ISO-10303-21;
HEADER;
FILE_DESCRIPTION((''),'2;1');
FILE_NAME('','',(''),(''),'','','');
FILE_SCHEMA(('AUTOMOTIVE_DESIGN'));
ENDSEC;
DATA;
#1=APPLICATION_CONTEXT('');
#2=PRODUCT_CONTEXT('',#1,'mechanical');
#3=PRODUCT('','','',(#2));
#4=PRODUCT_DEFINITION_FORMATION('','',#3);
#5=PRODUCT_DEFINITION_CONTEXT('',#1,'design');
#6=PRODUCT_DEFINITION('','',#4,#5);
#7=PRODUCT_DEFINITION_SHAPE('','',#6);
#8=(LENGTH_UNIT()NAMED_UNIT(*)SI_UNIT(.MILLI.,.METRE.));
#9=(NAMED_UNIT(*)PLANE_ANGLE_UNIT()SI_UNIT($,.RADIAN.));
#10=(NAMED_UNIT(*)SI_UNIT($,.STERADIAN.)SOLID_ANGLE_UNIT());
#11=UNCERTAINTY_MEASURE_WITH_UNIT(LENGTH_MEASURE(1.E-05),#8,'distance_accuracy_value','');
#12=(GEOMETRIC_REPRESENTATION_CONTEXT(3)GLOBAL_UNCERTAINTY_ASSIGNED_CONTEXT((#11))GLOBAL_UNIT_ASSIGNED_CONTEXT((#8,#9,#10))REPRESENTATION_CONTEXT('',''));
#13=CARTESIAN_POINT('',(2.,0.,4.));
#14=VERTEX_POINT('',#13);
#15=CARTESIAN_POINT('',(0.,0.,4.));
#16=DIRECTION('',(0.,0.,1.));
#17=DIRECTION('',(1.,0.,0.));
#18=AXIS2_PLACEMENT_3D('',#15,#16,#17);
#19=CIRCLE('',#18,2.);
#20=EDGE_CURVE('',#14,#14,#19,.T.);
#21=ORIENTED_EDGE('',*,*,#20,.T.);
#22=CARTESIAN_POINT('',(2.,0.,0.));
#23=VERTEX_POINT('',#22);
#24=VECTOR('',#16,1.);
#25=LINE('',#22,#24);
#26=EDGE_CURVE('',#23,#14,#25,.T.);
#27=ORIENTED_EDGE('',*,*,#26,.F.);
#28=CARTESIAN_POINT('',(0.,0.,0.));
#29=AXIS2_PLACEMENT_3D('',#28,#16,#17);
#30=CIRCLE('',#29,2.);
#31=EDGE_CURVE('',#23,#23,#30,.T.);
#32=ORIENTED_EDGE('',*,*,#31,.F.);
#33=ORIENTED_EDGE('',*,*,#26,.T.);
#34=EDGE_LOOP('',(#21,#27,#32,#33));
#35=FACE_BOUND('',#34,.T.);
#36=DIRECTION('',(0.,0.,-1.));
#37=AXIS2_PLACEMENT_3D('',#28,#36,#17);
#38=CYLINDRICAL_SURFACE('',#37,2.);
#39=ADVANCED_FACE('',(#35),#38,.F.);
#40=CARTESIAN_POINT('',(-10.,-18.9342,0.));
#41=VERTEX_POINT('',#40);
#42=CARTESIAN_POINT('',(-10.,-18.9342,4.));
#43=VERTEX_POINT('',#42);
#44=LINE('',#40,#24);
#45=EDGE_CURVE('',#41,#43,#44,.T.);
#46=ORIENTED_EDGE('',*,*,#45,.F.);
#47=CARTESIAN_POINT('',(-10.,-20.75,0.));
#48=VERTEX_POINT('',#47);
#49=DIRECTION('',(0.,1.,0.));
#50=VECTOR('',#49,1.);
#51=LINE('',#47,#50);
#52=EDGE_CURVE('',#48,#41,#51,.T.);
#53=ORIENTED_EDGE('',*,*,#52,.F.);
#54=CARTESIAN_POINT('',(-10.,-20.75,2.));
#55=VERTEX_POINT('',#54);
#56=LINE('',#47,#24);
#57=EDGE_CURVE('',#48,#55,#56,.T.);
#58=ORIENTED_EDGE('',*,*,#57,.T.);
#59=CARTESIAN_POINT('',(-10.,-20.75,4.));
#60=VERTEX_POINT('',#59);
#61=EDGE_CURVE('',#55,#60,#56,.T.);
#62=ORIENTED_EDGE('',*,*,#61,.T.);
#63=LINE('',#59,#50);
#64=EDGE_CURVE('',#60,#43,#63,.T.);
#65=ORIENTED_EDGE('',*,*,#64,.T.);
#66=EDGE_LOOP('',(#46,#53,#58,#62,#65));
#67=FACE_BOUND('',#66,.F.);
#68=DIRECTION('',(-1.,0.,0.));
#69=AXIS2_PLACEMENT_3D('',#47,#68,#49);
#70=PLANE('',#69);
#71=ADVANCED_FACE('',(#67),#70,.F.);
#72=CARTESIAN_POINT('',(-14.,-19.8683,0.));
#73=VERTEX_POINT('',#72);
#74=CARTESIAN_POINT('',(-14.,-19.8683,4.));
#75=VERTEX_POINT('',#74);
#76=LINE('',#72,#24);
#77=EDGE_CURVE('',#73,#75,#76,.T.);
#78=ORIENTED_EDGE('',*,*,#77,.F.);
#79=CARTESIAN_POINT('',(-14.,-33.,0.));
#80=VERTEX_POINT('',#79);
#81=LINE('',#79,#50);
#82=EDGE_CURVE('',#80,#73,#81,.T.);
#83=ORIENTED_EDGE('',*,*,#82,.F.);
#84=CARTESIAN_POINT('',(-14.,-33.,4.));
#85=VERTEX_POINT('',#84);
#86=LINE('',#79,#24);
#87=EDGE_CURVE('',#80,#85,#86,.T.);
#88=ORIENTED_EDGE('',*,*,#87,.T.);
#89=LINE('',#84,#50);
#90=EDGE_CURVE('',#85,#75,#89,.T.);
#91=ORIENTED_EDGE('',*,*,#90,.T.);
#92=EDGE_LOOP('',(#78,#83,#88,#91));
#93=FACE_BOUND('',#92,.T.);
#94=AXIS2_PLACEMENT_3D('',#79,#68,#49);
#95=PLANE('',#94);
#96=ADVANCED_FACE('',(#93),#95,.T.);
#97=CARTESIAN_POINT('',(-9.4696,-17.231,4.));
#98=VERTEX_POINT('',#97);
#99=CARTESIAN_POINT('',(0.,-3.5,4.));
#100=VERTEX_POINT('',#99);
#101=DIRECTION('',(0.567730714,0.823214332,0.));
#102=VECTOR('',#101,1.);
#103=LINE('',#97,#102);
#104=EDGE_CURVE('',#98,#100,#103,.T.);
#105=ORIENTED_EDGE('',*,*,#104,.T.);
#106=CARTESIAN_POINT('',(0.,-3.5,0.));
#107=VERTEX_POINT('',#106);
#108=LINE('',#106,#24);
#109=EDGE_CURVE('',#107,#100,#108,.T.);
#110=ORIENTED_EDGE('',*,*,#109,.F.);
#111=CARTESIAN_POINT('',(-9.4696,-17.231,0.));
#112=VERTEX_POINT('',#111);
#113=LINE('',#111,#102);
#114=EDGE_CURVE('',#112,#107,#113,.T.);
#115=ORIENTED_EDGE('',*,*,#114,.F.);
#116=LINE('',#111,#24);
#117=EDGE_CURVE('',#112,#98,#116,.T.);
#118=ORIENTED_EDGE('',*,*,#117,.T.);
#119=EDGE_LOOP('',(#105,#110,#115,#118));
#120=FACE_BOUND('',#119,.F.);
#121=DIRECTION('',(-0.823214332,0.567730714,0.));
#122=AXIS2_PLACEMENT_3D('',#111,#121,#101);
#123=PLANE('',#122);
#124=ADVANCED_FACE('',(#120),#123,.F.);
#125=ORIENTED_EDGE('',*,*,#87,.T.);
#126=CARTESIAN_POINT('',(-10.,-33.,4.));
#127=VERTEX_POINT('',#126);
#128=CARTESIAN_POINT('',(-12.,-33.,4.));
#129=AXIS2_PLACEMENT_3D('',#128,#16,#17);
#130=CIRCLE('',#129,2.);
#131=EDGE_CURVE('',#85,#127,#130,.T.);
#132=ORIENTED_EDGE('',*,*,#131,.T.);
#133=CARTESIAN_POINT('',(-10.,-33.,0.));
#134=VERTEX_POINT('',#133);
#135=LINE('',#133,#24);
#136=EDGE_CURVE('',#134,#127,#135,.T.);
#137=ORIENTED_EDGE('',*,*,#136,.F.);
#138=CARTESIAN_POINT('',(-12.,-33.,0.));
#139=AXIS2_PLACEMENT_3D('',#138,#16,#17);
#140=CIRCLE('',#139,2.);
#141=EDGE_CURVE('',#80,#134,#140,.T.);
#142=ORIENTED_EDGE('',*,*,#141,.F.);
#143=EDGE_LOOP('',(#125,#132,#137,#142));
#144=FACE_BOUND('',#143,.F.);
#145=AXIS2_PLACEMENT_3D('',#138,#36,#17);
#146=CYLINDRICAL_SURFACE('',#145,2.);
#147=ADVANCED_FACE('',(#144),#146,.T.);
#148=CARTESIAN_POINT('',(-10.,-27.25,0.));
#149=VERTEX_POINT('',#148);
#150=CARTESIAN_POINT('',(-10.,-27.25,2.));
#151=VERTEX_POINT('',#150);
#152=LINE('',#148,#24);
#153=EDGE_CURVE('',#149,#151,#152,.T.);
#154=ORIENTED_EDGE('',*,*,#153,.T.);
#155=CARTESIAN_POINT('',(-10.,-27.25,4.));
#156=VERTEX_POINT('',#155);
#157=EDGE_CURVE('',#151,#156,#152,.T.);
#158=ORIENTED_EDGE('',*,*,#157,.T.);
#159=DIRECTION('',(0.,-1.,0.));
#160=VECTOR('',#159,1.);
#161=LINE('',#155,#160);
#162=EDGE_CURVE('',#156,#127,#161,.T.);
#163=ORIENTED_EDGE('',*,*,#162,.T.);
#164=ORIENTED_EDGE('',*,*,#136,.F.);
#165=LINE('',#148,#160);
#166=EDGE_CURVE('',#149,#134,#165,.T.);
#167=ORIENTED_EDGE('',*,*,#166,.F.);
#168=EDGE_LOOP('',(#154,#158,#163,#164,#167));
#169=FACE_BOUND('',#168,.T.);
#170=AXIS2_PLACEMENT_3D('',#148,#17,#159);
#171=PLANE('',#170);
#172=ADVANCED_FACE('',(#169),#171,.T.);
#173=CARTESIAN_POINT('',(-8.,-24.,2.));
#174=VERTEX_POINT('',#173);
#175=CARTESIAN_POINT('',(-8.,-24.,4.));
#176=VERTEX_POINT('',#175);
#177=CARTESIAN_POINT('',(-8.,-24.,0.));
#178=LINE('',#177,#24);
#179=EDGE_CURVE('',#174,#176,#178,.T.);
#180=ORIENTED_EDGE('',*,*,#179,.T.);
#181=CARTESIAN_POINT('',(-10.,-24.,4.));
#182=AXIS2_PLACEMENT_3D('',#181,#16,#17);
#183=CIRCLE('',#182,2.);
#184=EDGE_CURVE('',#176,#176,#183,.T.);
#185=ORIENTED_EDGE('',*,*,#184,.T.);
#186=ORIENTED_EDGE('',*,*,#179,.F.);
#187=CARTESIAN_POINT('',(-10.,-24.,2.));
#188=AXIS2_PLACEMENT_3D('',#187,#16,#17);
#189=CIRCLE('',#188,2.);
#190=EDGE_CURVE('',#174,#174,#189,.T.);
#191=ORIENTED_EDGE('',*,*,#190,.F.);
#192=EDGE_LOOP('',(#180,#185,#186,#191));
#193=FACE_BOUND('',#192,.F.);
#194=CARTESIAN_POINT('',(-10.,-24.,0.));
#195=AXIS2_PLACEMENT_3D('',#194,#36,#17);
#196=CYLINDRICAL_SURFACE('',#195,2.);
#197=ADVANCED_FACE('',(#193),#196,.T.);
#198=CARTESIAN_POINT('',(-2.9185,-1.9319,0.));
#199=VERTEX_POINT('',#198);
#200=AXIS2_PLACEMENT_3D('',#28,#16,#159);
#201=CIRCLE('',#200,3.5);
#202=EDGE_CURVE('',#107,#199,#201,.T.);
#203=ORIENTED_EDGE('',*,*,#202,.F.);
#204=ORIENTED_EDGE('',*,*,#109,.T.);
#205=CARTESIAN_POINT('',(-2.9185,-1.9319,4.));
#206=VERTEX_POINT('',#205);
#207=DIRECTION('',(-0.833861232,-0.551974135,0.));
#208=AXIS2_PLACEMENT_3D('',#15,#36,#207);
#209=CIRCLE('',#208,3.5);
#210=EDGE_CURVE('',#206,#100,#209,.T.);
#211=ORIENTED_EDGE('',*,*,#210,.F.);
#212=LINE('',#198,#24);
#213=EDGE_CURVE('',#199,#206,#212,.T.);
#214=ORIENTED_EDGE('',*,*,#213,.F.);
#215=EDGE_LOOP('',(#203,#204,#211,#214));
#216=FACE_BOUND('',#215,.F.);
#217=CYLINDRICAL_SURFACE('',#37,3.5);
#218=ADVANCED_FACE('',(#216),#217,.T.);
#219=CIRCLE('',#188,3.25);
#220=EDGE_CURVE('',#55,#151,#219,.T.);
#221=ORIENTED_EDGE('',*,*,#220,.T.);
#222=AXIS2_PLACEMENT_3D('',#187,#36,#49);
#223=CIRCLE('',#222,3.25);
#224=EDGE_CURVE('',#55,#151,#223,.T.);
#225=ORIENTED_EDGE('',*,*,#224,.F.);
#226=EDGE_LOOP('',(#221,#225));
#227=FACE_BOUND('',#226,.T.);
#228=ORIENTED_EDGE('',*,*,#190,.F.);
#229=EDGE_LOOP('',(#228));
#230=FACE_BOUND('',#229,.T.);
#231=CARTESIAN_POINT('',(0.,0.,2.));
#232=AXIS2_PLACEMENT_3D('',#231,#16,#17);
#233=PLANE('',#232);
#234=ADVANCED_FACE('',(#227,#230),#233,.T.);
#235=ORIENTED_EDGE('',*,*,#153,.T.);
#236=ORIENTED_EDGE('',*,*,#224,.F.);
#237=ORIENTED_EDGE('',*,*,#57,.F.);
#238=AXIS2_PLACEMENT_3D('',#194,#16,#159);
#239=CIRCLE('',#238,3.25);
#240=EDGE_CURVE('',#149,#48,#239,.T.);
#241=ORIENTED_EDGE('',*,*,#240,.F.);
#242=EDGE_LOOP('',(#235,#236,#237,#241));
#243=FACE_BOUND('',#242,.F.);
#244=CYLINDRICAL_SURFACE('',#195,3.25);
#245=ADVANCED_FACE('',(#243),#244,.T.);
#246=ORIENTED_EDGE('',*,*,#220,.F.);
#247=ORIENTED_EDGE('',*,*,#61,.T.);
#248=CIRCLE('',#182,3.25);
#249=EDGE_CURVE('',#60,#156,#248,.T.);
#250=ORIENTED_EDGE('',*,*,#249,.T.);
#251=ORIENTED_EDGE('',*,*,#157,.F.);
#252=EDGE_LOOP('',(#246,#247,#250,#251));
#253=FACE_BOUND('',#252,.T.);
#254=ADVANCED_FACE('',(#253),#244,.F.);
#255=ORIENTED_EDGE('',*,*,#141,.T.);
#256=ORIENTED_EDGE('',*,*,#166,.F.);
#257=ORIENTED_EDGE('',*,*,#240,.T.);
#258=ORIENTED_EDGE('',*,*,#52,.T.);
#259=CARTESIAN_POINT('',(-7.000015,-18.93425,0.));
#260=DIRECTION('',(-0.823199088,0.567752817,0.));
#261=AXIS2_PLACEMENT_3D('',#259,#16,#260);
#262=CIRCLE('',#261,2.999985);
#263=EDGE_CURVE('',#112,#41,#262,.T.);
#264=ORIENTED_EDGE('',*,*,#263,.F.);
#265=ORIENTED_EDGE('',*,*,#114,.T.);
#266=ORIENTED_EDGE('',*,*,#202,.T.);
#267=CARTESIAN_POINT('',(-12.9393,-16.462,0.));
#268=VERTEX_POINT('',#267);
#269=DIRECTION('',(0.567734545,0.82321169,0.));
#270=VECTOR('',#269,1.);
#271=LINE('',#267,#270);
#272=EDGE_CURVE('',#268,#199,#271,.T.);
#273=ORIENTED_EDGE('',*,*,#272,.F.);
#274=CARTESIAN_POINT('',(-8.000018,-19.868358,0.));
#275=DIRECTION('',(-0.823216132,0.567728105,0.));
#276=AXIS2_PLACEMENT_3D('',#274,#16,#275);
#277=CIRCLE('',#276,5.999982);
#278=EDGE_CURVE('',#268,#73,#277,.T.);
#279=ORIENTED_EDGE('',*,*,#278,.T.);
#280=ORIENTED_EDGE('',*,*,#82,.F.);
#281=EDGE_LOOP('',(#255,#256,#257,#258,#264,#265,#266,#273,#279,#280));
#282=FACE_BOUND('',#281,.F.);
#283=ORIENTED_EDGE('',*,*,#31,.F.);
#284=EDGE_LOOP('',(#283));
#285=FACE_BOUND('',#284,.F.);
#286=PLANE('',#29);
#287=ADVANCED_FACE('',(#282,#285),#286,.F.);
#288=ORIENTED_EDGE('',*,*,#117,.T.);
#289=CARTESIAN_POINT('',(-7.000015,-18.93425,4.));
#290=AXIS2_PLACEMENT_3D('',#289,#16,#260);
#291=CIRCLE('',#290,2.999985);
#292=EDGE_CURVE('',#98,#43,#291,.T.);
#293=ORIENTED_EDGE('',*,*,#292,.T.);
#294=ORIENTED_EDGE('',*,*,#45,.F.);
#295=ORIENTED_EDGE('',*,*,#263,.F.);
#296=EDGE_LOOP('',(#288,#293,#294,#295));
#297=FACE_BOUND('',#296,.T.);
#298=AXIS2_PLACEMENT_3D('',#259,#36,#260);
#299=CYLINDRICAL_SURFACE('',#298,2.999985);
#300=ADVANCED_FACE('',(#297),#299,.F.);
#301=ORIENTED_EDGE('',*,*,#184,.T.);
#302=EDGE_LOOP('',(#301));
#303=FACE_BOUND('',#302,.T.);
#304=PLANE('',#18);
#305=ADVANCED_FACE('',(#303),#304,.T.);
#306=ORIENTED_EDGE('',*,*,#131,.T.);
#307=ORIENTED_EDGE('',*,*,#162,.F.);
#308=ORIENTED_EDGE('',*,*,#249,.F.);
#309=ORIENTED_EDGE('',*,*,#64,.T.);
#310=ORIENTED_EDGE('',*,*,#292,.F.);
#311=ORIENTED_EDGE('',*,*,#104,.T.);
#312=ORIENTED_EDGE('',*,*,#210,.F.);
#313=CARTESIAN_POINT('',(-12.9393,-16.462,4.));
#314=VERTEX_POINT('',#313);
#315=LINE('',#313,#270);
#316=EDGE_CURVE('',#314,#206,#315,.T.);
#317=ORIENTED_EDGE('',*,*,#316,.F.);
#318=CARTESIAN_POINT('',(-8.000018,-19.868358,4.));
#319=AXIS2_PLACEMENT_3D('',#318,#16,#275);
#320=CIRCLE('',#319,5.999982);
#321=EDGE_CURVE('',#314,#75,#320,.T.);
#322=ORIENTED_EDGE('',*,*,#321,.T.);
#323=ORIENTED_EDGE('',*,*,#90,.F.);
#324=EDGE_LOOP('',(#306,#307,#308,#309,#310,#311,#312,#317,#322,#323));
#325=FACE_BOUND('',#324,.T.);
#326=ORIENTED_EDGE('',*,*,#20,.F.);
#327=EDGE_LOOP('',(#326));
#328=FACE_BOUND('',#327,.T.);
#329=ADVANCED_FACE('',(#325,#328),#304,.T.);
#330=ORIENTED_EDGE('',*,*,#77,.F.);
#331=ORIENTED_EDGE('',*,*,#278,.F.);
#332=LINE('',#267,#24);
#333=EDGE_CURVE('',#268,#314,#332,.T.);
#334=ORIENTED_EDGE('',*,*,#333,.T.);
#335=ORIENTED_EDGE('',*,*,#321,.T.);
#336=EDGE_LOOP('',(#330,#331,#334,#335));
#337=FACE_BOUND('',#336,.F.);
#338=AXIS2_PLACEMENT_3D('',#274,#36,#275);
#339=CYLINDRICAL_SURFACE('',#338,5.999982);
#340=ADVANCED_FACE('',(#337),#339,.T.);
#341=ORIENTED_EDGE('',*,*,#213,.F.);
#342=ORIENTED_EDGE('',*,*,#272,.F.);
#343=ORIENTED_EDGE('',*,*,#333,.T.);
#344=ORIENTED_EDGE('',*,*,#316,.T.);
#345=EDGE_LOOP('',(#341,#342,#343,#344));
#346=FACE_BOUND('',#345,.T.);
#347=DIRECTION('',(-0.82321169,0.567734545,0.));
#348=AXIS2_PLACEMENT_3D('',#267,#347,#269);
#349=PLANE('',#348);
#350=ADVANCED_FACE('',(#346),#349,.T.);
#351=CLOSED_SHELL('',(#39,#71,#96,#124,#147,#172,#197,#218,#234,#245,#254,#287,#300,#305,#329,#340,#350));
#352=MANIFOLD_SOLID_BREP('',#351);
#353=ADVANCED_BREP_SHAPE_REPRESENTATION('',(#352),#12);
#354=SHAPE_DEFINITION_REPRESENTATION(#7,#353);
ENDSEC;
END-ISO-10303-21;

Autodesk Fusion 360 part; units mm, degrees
sketch "Sketch1" plane through (0, 0, 0) normal (0, 0, 1) x (1, 0, 0)
  circle A0 centre (0, 0) radius 2
  circle A1 centre (0, 0) radius 3.5
  circle A2 centre (-10, -24) radius 2
  circle A3 centre (-10, -24) radius 3.25
  line L0 (-10, -24) -> (-10, -20.75) construction
  line L1 (-10, -20.75) -> (-10, -18.9342)
  line L2 (0, 0) -> (0, -3.5) construction
  line L3 (-9.4696, -17.231) -> (0, -3.5)
  line L4 (-10, -24) -> (-10, -27.25) construction
  line L5 (-10, -27.25) -> (-10, -33)
  circle A4 centre (-12, -33) radius 2
  line L6 (-14, -33) -> (-14, -19.8683)
  line L7 (-12.9393, -16.462) -> (-2.9185, -1.9319)
  arc A5 (-12.9393, -16.462) -> (-14, -19.8683) centre (-8, -19.8683) ccw
  arc A6 (-9.4696, -17.231) -> (-10, -18.9342) centre (-7, -18.9342) ccw
  point P0 (-10, -18)
  point P1 (-14, -18)
  dimension "d1" = 4
  dimension "d2" = 7
  dimension "d3" = 4
  dimension "d4" = 24
  dimension "d5" = 10
  dimension "d6" = 6.5
  dimension "d7" = 2.75
  dimension "d8" = 4
  dimension "d9" = 5.75
  dimension "d11" = 15
  dimension "d12" = 4
  dimension "d13" = 6
  dimension "d14" = 3
extrude "Extrude1" add sketch "Sketch1" along normal blind 4 contours A1 | A1 A3 L1 L3 L5 A4 L6 L7 A5 A6 | A4
extrude "Extrude2" add sketch "Sketch1" along normal blind 2 contours A3
extrude "Extrude3" add sketch "Sketch1" along normal blind 4 contours A2
